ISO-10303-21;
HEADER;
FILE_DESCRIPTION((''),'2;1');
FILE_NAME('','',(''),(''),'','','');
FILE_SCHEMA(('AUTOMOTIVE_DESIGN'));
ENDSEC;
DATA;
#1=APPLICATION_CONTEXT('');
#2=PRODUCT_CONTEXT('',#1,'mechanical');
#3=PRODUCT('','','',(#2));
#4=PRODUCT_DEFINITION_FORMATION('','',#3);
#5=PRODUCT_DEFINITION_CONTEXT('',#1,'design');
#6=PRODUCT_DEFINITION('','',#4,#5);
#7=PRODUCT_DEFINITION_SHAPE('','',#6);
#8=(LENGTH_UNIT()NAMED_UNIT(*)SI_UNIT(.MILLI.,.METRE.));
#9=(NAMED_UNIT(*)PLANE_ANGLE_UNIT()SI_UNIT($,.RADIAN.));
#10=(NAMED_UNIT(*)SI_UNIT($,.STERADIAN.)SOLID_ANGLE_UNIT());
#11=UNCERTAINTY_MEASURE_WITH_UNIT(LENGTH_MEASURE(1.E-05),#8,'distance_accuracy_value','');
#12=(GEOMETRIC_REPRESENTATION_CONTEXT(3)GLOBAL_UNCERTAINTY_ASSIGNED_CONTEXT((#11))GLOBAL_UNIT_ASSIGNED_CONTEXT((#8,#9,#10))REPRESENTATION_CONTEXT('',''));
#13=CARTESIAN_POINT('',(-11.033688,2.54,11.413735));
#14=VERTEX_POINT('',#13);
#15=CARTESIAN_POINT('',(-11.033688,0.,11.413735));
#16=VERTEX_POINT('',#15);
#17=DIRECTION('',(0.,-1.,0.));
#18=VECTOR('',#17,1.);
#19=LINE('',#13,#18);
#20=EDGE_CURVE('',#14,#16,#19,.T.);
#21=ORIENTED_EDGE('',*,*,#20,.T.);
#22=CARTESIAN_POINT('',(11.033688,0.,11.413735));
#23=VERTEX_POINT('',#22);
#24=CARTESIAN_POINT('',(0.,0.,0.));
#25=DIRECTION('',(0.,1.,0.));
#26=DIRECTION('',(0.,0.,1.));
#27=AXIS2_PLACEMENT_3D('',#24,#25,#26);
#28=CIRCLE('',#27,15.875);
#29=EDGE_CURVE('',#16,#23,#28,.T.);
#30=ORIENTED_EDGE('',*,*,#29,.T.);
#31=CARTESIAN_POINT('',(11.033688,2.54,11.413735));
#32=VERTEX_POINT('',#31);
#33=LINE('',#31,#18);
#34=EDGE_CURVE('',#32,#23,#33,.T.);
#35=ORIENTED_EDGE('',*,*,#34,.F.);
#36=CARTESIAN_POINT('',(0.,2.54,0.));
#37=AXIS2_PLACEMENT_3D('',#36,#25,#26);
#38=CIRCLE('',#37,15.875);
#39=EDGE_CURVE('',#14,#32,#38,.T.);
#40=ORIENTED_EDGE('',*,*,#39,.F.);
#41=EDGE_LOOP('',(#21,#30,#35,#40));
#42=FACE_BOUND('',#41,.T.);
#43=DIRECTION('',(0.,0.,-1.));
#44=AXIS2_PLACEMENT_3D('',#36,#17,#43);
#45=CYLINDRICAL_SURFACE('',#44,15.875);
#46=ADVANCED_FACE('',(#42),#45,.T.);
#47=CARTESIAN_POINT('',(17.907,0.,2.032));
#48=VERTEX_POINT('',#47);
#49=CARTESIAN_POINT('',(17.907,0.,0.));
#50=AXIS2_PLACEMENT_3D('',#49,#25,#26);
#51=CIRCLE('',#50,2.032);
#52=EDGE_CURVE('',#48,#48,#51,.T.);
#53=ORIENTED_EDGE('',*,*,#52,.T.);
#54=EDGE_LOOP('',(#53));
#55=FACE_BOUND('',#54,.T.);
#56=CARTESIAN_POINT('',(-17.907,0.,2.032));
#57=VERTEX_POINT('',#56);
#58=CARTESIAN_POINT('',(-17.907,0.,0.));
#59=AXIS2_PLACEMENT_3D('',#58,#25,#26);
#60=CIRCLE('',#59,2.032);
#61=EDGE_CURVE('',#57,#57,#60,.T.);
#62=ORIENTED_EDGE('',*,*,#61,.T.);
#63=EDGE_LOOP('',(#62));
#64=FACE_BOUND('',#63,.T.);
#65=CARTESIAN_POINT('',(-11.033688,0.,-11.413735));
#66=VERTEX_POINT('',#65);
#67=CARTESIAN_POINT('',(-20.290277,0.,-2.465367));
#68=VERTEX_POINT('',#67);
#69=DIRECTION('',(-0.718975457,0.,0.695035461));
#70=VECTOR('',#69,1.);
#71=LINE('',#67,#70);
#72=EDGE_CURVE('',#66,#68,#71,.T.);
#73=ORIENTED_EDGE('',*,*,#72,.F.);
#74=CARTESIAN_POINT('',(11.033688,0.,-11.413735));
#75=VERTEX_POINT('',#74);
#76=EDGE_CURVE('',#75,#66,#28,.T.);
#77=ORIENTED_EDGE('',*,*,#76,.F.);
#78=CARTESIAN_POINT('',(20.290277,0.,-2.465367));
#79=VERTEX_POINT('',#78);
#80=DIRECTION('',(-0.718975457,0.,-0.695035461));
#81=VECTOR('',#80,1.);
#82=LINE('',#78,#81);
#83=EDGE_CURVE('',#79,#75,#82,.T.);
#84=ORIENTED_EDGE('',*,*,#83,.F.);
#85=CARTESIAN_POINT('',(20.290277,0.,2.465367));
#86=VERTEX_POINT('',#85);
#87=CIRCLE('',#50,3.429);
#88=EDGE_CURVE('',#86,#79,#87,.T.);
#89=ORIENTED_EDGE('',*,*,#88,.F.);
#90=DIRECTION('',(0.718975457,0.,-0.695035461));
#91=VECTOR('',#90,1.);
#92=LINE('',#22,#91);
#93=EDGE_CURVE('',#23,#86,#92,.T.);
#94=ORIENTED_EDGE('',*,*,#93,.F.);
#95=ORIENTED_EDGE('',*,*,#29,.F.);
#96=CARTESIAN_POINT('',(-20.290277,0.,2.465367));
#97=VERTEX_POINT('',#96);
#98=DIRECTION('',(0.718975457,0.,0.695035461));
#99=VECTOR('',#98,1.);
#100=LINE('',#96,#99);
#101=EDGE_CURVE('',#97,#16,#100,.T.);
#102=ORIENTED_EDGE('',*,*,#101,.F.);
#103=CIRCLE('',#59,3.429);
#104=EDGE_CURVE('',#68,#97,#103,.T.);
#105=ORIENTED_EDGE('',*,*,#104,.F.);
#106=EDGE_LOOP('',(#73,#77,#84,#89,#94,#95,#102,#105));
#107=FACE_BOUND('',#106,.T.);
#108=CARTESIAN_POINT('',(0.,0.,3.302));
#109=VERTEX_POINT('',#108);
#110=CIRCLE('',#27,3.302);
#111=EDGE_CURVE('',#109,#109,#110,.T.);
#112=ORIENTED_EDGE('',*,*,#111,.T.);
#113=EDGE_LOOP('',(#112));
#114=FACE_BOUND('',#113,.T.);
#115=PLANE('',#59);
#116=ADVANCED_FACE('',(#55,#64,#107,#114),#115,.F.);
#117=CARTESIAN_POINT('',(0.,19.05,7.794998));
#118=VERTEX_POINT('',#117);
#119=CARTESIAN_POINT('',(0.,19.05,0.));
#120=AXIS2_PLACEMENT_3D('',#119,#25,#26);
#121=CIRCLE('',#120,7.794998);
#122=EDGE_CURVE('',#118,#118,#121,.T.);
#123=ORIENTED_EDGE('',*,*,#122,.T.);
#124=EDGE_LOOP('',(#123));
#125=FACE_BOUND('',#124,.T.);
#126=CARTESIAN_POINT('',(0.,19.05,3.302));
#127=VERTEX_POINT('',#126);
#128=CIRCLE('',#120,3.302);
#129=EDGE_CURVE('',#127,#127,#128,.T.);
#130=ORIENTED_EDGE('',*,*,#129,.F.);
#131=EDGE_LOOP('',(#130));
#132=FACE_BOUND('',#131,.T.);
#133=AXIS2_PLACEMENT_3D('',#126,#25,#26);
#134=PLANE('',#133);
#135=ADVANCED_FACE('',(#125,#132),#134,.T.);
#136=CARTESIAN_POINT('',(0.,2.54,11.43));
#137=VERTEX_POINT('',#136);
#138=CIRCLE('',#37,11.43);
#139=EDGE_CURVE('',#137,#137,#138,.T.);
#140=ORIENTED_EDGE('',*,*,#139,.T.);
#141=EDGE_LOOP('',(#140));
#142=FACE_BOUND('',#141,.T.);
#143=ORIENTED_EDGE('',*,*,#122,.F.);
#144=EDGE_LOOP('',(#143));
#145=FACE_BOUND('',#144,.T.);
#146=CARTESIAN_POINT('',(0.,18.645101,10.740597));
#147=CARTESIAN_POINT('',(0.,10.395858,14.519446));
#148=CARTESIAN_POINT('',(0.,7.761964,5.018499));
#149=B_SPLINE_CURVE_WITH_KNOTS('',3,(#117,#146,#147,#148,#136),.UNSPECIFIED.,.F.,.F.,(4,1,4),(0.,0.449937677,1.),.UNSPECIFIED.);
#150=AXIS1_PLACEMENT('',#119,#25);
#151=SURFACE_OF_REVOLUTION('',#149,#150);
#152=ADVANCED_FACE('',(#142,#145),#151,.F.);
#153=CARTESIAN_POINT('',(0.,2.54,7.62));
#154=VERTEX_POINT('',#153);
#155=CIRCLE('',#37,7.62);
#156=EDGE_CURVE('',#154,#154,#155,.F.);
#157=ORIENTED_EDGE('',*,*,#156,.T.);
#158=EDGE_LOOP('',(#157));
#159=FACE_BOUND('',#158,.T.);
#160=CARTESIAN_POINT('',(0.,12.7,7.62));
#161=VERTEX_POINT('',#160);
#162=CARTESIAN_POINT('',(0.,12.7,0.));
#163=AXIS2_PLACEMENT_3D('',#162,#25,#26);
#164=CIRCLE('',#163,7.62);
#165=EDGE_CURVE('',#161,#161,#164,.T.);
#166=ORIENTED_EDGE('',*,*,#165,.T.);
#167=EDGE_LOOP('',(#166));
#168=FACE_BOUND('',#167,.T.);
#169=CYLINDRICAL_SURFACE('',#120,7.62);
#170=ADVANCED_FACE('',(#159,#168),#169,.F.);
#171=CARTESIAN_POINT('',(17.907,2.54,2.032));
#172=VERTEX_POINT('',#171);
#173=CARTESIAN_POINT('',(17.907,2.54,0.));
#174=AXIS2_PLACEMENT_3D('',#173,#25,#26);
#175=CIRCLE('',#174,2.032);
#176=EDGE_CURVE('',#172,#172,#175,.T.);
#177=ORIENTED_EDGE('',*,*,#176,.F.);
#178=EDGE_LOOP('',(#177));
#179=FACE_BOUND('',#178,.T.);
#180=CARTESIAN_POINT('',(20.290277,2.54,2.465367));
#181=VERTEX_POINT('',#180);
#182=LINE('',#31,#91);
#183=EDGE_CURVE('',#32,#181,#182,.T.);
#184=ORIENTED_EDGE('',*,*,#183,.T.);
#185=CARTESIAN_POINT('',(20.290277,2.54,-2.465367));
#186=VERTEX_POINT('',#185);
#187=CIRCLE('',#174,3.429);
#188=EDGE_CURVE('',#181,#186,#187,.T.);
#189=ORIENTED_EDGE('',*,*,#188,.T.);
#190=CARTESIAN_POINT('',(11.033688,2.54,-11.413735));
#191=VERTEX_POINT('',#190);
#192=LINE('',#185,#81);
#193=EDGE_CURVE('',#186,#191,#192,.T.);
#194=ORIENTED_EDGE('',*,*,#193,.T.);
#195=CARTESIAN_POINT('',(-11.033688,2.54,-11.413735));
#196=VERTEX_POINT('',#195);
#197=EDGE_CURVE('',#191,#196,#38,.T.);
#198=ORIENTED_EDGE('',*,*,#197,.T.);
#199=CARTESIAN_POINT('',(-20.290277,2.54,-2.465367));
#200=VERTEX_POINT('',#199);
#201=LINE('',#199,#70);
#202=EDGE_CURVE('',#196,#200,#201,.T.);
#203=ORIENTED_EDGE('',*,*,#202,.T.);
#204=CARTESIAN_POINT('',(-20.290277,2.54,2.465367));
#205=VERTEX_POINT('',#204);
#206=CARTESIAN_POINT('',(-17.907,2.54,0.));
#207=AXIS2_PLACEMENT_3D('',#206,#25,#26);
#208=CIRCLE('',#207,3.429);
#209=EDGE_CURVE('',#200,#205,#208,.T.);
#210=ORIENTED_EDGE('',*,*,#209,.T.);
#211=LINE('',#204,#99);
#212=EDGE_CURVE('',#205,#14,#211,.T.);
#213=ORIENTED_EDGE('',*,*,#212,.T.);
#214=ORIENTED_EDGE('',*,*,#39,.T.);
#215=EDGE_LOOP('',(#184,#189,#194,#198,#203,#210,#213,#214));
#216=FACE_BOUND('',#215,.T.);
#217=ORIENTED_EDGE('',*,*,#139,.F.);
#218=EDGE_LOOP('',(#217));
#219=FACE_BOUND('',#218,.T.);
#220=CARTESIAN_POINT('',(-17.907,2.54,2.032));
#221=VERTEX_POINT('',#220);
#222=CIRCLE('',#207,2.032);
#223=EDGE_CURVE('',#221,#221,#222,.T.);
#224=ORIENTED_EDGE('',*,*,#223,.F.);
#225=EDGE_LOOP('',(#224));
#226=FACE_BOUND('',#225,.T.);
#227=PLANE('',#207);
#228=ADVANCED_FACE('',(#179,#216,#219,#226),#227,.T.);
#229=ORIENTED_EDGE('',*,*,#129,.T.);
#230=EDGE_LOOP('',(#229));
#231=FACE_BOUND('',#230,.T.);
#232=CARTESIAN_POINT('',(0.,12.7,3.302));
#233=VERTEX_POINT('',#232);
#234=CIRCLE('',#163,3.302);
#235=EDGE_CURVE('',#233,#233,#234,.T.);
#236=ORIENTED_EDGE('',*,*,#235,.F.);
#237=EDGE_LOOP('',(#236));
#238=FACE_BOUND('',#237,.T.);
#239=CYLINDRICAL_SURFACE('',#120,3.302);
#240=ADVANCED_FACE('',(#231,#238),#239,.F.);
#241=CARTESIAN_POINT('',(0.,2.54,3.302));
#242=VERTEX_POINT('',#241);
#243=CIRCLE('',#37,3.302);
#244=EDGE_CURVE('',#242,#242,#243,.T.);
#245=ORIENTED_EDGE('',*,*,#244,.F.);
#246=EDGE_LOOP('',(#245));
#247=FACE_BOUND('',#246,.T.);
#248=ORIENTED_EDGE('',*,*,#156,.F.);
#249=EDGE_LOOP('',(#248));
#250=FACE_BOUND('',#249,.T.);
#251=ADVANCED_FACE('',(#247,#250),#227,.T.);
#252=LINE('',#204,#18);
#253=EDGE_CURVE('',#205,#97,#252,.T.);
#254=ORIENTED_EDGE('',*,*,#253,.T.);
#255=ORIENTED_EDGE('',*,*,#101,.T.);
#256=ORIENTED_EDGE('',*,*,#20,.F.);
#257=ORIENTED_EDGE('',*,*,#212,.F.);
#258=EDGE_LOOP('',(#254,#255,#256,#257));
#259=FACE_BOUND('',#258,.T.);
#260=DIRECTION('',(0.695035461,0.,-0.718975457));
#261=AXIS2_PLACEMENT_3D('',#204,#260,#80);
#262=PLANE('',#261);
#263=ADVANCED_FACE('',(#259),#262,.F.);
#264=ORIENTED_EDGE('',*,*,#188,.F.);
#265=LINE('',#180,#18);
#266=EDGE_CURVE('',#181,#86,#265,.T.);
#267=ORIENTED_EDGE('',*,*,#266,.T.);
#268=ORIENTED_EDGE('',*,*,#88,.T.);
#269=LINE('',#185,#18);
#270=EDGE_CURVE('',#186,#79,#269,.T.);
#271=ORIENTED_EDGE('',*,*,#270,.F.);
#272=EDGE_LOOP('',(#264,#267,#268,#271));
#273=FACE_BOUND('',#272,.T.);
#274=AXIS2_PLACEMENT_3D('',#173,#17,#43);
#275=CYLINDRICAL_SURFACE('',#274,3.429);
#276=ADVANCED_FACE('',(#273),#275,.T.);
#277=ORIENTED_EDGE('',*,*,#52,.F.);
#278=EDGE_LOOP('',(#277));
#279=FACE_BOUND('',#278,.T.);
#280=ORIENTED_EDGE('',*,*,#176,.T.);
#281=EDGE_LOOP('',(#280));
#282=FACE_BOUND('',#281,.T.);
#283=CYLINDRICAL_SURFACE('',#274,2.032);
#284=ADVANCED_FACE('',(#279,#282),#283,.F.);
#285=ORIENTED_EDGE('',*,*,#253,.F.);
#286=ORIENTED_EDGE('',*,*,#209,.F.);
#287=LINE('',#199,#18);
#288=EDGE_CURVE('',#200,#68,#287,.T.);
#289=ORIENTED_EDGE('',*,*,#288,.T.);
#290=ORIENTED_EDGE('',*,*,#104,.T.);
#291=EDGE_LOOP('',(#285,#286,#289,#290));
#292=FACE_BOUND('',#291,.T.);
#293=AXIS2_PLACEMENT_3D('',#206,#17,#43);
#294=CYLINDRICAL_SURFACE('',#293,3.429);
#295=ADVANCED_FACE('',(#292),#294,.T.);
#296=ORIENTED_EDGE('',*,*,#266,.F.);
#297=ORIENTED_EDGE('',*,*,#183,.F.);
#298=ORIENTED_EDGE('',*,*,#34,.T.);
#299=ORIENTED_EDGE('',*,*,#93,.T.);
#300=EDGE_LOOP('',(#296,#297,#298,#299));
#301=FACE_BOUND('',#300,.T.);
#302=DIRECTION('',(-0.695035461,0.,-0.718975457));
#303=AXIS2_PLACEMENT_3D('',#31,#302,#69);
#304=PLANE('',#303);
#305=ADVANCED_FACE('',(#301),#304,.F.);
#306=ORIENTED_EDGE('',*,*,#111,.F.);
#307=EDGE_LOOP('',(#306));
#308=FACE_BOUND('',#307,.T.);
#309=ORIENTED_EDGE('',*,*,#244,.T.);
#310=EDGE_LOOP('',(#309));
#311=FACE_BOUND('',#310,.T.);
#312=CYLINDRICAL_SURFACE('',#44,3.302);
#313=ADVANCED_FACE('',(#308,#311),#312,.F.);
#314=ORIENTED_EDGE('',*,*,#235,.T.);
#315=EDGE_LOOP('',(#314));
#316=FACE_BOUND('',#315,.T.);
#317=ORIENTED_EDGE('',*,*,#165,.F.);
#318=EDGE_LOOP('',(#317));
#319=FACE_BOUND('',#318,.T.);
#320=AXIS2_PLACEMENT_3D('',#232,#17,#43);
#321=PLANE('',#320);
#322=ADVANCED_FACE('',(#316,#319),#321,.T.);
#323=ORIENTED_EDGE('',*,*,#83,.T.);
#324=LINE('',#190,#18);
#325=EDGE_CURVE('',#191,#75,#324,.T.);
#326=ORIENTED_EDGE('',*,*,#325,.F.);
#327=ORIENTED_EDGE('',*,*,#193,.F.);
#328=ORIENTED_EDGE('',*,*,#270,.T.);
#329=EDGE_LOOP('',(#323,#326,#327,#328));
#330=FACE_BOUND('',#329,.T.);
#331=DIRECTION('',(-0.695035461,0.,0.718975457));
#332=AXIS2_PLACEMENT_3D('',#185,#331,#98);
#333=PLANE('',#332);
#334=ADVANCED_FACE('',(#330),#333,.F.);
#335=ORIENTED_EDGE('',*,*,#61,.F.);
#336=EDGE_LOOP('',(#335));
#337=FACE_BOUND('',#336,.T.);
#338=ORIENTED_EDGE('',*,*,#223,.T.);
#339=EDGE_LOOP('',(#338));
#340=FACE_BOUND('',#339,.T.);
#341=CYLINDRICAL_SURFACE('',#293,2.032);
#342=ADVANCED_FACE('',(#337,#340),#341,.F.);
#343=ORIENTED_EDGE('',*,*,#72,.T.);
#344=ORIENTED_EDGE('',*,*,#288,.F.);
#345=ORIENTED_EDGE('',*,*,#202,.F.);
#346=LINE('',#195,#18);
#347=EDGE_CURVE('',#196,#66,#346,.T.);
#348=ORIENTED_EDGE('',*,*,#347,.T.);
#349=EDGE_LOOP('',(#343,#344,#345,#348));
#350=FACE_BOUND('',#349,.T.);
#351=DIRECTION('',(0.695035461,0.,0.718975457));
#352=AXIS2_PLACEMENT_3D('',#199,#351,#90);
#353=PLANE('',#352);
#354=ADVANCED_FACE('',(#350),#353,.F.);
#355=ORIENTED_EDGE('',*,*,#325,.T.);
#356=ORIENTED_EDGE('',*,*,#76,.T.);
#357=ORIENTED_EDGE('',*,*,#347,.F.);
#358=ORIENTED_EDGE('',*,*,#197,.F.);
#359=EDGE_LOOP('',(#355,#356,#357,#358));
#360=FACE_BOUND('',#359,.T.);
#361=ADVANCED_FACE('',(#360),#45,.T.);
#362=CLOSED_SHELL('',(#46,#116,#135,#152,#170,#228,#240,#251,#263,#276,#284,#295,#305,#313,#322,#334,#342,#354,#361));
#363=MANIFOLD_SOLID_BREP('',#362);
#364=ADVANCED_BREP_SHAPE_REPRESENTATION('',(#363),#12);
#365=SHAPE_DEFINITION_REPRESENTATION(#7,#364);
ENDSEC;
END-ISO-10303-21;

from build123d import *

# Parameters (mm, degrees)
SKETCH1_R           = 2.032
SKETCH1_R_2         = 3.302
BOSS_EXTRUDE1_DEPTH = 2.54


with BuildPart() as part:
    # Sketch1 → Boss-Extrude1 (new body)
    with BuildSketch(Plane(origin=(0, 0, 0), x_dir=(1, 0, 0), z_dir=(0, 1, 0))):
        with BuildLine():
            Line((-20.290276596, 2.465366843), (-11.033687943, 11.413735382))
            ThreePointArc((-11.033687943, 11.413735382), (0, 15.875), (11.033687943, 11.413735382))
            Line((11.033687943, 11.413735382), (20.290276596, 2.465366843))
            ThreePointArc((20.290276596, 2.465366843), (21.336, 0), (20.290276596, -2.465366843))
            Line((20.290276596, -2.465366843), (11.033687943, -11.413735382))
            ThreePointArc((11.033687943, -11.413735382), (0, -15.875), (-11.033687943, -11.413735382))
            Line((-11.033687943, -11.413735382), (-20.290276596, -2.465366843))
            ThreePointArc((-20.290276596, -2.465366843), (-21.336, 0), (-20.290276596, 2.465366843))
        make_face()
        with Locations(Location((-17.907, 0, 0), (0, 0, 270))):
            Circle(SKETCH1_R, mode=Mode.SUBTRACT)
        with Locations(Location((17.907, 0, 0), (0, 0, 270))):
            Circle(SKETCH1_R, mode=Mode.SUBTRACT)
        with Locations(Location((0, 0, 0), (0, 0, 270))):
            Circle(SKETCH1_R_2, mode=Mode.SUBTRACT)
    extrude(amount=BOSS_EXTRUDE1_DEPTH)

    # Sketch3 → Revolve1 (revolve)
    with BuildSketch(Plane(origin=(0, 0, 0), x_dir=(0, 0, -1), z_dir=(1, 0, 0))):
        with BuildLine():
            Line((-3.302, 19.05), (-7.794998012, 19.05))
            add(Edge.make_bspline(
                [(-7.794998012, 19.05), (-10.740596789, 18.645101439), (-14.519445993, 10.395857778), (-5.018498512, 7.761963643), (-11.43, 2.54)],
                knots=[0, 0, 0, 0, 0.449937677, 1, 1, 1, 1], degree=3))
            Line((-11.43, 2.54), (-7.62, 2.54))
            Line((-7.62, 2.54), (-7.62, 12.7))
            Line((-7.62, 12.7), (-3.302, 12.7))
            Line((-3.302, 12.7), (-3.302, 19.05))
        make_face()
    revolve(axis=Axis((0, 19.05, 0), (0, -1, 0)))


solid = part.part
